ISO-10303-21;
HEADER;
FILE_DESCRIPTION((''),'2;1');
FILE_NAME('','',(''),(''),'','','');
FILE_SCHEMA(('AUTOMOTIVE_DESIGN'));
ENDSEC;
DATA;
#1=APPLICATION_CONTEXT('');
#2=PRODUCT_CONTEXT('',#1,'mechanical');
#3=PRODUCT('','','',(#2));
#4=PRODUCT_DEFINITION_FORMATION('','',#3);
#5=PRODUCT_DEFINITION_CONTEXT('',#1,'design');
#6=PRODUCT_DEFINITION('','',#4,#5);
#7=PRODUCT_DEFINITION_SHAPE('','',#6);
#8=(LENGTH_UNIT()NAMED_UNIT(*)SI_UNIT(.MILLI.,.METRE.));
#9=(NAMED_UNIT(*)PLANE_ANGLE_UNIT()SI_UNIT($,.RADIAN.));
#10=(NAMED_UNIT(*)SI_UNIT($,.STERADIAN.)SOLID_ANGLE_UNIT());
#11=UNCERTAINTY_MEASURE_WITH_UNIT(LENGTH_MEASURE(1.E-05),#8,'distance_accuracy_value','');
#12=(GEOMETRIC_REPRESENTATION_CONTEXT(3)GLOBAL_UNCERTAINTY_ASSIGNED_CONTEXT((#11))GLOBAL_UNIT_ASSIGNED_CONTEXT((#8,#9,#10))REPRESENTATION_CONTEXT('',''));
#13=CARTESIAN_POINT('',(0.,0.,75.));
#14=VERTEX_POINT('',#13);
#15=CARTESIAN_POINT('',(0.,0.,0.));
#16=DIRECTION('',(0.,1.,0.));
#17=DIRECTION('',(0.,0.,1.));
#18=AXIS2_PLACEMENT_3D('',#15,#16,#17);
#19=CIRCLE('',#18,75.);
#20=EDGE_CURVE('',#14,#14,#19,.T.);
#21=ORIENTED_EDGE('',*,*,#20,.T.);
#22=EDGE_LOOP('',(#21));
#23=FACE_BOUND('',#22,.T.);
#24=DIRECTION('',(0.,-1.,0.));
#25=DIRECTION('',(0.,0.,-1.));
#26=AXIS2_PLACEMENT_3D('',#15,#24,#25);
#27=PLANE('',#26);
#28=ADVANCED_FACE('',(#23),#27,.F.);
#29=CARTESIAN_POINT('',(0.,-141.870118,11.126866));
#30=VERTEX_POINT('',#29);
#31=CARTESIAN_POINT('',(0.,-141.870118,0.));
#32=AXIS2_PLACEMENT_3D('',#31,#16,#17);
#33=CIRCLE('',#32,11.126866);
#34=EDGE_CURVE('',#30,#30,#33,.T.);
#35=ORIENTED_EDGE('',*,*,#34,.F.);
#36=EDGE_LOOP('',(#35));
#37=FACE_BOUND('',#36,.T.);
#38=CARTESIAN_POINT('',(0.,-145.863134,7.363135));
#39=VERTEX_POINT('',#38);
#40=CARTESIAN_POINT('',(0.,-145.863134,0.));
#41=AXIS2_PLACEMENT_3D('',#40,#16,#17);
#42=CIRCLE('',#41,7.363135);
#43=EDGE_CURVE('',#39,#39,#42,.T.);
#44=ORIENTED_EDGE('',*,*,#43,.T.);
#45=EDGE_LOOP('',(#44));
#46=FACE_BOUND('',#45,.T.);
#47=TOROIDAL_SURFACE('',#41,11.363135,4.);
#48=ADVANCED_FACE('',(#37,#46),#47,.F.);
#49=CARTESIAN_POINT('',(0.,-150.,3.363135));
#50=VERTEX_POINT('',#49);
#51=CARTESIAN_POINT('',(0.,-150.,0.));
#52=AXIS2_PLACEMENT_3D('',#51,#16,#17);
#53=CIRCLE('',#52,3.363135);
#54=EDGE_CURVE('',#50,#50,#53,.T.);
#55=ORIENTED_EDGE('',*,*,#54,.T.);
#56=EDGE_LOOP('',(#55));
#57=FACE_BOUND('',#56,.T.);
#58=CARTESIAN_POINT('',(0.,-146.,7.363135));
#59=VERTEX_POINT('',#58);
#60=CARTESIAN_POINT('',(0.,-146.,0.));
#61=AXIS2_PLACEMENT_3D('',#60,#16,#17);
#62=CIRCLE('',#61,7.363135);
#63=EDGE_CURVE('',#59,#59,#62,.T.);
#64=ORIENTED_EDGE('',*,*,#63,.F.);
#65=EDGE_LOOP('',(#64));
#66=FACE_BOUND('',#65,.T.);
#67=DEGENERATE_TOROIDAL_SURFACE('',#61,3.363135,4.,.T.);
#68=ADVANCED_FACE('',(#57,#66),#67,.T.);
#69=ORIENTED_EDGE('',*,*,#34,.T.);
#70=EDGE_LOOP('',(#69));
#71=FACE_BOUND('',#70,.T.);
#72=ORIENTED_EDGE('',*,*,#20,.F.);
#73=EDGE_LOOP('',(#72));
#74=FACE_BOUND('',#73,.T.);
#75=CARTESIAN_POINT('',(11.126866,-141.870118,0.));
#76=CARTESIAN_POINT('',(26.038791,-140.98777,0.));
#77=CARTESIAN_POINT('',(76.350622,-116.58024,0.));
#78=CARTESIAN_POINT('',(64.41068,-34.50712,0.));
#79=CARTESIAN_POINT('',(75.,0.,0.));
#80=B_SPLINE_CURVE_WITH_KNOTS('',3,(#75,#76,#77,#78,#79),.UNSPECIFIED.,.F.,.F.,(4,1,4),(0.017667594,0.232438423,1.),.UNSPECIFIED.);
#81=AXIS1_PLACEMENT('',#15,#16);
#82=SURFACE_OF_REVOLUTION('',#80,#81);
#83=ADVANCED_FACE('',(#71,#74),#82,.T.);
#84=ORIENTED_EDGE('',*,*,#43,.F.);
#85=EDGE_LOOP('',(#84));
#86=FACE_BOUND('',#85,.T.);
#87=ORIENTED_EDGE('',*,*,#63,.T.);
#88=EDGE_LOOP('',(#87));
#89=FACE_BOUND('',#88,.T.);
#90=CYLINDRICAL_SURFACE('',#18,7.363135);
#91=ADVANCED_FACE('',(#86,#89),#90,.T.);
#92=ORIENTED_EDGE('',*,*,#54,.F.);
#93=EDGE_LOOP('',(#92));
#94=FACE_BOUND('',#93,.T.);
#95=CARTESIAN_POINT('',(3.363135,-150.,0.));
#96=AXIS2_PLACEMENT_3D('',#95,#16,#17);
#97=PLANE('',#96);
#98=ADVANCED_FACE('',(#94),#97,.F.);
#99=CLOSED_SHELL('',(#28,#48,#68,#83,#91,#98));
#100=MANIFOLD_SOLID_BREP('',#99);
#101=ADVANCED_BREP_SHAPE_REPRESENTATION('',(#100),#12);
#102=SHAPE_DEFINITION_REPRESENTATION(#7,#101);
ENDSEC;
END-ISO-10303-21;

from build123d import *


with BuildPart() as part:
    # Sketch1 → Revolve5 (revolve)
    with BuildSketch(Plane.XY, mode=Mode.PRIVATE) as revolve5_sk:
        with BuildLine():
            Line((7.36313478, -146), (7.36313478, -145.863134178))
            ThreePointArc((7.36313478, -145.863134178), (8.452372267, -143.119512193), (11.126865577, -141.870118167))
            add(Edge.make_bspline(
                [(11.126865577, -141.870118167), (26.038790696, -140.987770424), (76.350621672, -116.580239955), (64.410680244, -34.50712047), (75, 0)],
                knots=[0.017667594, 0.017667594, 0.017667594, 0.017667594, 0.232438423, 1, 1, 1, 1], degree=3))
            Line((75, 0), (0, 0))
            Line((0, 0), (0, -150))
            Line((0, -150), (3.36313478, -150))
            ThreePointArc((3.36313478, -150), (6.191561904, -148.828427125), (7.36313478, -146))
        make_face()
    revolve(revolve5_sk.sketch.rotate(Axis((0, 0, 0), (0, -1, 0)), 90), axis=Axis((0, 0, 0), (0, -1, 0)))


solid = part.part
